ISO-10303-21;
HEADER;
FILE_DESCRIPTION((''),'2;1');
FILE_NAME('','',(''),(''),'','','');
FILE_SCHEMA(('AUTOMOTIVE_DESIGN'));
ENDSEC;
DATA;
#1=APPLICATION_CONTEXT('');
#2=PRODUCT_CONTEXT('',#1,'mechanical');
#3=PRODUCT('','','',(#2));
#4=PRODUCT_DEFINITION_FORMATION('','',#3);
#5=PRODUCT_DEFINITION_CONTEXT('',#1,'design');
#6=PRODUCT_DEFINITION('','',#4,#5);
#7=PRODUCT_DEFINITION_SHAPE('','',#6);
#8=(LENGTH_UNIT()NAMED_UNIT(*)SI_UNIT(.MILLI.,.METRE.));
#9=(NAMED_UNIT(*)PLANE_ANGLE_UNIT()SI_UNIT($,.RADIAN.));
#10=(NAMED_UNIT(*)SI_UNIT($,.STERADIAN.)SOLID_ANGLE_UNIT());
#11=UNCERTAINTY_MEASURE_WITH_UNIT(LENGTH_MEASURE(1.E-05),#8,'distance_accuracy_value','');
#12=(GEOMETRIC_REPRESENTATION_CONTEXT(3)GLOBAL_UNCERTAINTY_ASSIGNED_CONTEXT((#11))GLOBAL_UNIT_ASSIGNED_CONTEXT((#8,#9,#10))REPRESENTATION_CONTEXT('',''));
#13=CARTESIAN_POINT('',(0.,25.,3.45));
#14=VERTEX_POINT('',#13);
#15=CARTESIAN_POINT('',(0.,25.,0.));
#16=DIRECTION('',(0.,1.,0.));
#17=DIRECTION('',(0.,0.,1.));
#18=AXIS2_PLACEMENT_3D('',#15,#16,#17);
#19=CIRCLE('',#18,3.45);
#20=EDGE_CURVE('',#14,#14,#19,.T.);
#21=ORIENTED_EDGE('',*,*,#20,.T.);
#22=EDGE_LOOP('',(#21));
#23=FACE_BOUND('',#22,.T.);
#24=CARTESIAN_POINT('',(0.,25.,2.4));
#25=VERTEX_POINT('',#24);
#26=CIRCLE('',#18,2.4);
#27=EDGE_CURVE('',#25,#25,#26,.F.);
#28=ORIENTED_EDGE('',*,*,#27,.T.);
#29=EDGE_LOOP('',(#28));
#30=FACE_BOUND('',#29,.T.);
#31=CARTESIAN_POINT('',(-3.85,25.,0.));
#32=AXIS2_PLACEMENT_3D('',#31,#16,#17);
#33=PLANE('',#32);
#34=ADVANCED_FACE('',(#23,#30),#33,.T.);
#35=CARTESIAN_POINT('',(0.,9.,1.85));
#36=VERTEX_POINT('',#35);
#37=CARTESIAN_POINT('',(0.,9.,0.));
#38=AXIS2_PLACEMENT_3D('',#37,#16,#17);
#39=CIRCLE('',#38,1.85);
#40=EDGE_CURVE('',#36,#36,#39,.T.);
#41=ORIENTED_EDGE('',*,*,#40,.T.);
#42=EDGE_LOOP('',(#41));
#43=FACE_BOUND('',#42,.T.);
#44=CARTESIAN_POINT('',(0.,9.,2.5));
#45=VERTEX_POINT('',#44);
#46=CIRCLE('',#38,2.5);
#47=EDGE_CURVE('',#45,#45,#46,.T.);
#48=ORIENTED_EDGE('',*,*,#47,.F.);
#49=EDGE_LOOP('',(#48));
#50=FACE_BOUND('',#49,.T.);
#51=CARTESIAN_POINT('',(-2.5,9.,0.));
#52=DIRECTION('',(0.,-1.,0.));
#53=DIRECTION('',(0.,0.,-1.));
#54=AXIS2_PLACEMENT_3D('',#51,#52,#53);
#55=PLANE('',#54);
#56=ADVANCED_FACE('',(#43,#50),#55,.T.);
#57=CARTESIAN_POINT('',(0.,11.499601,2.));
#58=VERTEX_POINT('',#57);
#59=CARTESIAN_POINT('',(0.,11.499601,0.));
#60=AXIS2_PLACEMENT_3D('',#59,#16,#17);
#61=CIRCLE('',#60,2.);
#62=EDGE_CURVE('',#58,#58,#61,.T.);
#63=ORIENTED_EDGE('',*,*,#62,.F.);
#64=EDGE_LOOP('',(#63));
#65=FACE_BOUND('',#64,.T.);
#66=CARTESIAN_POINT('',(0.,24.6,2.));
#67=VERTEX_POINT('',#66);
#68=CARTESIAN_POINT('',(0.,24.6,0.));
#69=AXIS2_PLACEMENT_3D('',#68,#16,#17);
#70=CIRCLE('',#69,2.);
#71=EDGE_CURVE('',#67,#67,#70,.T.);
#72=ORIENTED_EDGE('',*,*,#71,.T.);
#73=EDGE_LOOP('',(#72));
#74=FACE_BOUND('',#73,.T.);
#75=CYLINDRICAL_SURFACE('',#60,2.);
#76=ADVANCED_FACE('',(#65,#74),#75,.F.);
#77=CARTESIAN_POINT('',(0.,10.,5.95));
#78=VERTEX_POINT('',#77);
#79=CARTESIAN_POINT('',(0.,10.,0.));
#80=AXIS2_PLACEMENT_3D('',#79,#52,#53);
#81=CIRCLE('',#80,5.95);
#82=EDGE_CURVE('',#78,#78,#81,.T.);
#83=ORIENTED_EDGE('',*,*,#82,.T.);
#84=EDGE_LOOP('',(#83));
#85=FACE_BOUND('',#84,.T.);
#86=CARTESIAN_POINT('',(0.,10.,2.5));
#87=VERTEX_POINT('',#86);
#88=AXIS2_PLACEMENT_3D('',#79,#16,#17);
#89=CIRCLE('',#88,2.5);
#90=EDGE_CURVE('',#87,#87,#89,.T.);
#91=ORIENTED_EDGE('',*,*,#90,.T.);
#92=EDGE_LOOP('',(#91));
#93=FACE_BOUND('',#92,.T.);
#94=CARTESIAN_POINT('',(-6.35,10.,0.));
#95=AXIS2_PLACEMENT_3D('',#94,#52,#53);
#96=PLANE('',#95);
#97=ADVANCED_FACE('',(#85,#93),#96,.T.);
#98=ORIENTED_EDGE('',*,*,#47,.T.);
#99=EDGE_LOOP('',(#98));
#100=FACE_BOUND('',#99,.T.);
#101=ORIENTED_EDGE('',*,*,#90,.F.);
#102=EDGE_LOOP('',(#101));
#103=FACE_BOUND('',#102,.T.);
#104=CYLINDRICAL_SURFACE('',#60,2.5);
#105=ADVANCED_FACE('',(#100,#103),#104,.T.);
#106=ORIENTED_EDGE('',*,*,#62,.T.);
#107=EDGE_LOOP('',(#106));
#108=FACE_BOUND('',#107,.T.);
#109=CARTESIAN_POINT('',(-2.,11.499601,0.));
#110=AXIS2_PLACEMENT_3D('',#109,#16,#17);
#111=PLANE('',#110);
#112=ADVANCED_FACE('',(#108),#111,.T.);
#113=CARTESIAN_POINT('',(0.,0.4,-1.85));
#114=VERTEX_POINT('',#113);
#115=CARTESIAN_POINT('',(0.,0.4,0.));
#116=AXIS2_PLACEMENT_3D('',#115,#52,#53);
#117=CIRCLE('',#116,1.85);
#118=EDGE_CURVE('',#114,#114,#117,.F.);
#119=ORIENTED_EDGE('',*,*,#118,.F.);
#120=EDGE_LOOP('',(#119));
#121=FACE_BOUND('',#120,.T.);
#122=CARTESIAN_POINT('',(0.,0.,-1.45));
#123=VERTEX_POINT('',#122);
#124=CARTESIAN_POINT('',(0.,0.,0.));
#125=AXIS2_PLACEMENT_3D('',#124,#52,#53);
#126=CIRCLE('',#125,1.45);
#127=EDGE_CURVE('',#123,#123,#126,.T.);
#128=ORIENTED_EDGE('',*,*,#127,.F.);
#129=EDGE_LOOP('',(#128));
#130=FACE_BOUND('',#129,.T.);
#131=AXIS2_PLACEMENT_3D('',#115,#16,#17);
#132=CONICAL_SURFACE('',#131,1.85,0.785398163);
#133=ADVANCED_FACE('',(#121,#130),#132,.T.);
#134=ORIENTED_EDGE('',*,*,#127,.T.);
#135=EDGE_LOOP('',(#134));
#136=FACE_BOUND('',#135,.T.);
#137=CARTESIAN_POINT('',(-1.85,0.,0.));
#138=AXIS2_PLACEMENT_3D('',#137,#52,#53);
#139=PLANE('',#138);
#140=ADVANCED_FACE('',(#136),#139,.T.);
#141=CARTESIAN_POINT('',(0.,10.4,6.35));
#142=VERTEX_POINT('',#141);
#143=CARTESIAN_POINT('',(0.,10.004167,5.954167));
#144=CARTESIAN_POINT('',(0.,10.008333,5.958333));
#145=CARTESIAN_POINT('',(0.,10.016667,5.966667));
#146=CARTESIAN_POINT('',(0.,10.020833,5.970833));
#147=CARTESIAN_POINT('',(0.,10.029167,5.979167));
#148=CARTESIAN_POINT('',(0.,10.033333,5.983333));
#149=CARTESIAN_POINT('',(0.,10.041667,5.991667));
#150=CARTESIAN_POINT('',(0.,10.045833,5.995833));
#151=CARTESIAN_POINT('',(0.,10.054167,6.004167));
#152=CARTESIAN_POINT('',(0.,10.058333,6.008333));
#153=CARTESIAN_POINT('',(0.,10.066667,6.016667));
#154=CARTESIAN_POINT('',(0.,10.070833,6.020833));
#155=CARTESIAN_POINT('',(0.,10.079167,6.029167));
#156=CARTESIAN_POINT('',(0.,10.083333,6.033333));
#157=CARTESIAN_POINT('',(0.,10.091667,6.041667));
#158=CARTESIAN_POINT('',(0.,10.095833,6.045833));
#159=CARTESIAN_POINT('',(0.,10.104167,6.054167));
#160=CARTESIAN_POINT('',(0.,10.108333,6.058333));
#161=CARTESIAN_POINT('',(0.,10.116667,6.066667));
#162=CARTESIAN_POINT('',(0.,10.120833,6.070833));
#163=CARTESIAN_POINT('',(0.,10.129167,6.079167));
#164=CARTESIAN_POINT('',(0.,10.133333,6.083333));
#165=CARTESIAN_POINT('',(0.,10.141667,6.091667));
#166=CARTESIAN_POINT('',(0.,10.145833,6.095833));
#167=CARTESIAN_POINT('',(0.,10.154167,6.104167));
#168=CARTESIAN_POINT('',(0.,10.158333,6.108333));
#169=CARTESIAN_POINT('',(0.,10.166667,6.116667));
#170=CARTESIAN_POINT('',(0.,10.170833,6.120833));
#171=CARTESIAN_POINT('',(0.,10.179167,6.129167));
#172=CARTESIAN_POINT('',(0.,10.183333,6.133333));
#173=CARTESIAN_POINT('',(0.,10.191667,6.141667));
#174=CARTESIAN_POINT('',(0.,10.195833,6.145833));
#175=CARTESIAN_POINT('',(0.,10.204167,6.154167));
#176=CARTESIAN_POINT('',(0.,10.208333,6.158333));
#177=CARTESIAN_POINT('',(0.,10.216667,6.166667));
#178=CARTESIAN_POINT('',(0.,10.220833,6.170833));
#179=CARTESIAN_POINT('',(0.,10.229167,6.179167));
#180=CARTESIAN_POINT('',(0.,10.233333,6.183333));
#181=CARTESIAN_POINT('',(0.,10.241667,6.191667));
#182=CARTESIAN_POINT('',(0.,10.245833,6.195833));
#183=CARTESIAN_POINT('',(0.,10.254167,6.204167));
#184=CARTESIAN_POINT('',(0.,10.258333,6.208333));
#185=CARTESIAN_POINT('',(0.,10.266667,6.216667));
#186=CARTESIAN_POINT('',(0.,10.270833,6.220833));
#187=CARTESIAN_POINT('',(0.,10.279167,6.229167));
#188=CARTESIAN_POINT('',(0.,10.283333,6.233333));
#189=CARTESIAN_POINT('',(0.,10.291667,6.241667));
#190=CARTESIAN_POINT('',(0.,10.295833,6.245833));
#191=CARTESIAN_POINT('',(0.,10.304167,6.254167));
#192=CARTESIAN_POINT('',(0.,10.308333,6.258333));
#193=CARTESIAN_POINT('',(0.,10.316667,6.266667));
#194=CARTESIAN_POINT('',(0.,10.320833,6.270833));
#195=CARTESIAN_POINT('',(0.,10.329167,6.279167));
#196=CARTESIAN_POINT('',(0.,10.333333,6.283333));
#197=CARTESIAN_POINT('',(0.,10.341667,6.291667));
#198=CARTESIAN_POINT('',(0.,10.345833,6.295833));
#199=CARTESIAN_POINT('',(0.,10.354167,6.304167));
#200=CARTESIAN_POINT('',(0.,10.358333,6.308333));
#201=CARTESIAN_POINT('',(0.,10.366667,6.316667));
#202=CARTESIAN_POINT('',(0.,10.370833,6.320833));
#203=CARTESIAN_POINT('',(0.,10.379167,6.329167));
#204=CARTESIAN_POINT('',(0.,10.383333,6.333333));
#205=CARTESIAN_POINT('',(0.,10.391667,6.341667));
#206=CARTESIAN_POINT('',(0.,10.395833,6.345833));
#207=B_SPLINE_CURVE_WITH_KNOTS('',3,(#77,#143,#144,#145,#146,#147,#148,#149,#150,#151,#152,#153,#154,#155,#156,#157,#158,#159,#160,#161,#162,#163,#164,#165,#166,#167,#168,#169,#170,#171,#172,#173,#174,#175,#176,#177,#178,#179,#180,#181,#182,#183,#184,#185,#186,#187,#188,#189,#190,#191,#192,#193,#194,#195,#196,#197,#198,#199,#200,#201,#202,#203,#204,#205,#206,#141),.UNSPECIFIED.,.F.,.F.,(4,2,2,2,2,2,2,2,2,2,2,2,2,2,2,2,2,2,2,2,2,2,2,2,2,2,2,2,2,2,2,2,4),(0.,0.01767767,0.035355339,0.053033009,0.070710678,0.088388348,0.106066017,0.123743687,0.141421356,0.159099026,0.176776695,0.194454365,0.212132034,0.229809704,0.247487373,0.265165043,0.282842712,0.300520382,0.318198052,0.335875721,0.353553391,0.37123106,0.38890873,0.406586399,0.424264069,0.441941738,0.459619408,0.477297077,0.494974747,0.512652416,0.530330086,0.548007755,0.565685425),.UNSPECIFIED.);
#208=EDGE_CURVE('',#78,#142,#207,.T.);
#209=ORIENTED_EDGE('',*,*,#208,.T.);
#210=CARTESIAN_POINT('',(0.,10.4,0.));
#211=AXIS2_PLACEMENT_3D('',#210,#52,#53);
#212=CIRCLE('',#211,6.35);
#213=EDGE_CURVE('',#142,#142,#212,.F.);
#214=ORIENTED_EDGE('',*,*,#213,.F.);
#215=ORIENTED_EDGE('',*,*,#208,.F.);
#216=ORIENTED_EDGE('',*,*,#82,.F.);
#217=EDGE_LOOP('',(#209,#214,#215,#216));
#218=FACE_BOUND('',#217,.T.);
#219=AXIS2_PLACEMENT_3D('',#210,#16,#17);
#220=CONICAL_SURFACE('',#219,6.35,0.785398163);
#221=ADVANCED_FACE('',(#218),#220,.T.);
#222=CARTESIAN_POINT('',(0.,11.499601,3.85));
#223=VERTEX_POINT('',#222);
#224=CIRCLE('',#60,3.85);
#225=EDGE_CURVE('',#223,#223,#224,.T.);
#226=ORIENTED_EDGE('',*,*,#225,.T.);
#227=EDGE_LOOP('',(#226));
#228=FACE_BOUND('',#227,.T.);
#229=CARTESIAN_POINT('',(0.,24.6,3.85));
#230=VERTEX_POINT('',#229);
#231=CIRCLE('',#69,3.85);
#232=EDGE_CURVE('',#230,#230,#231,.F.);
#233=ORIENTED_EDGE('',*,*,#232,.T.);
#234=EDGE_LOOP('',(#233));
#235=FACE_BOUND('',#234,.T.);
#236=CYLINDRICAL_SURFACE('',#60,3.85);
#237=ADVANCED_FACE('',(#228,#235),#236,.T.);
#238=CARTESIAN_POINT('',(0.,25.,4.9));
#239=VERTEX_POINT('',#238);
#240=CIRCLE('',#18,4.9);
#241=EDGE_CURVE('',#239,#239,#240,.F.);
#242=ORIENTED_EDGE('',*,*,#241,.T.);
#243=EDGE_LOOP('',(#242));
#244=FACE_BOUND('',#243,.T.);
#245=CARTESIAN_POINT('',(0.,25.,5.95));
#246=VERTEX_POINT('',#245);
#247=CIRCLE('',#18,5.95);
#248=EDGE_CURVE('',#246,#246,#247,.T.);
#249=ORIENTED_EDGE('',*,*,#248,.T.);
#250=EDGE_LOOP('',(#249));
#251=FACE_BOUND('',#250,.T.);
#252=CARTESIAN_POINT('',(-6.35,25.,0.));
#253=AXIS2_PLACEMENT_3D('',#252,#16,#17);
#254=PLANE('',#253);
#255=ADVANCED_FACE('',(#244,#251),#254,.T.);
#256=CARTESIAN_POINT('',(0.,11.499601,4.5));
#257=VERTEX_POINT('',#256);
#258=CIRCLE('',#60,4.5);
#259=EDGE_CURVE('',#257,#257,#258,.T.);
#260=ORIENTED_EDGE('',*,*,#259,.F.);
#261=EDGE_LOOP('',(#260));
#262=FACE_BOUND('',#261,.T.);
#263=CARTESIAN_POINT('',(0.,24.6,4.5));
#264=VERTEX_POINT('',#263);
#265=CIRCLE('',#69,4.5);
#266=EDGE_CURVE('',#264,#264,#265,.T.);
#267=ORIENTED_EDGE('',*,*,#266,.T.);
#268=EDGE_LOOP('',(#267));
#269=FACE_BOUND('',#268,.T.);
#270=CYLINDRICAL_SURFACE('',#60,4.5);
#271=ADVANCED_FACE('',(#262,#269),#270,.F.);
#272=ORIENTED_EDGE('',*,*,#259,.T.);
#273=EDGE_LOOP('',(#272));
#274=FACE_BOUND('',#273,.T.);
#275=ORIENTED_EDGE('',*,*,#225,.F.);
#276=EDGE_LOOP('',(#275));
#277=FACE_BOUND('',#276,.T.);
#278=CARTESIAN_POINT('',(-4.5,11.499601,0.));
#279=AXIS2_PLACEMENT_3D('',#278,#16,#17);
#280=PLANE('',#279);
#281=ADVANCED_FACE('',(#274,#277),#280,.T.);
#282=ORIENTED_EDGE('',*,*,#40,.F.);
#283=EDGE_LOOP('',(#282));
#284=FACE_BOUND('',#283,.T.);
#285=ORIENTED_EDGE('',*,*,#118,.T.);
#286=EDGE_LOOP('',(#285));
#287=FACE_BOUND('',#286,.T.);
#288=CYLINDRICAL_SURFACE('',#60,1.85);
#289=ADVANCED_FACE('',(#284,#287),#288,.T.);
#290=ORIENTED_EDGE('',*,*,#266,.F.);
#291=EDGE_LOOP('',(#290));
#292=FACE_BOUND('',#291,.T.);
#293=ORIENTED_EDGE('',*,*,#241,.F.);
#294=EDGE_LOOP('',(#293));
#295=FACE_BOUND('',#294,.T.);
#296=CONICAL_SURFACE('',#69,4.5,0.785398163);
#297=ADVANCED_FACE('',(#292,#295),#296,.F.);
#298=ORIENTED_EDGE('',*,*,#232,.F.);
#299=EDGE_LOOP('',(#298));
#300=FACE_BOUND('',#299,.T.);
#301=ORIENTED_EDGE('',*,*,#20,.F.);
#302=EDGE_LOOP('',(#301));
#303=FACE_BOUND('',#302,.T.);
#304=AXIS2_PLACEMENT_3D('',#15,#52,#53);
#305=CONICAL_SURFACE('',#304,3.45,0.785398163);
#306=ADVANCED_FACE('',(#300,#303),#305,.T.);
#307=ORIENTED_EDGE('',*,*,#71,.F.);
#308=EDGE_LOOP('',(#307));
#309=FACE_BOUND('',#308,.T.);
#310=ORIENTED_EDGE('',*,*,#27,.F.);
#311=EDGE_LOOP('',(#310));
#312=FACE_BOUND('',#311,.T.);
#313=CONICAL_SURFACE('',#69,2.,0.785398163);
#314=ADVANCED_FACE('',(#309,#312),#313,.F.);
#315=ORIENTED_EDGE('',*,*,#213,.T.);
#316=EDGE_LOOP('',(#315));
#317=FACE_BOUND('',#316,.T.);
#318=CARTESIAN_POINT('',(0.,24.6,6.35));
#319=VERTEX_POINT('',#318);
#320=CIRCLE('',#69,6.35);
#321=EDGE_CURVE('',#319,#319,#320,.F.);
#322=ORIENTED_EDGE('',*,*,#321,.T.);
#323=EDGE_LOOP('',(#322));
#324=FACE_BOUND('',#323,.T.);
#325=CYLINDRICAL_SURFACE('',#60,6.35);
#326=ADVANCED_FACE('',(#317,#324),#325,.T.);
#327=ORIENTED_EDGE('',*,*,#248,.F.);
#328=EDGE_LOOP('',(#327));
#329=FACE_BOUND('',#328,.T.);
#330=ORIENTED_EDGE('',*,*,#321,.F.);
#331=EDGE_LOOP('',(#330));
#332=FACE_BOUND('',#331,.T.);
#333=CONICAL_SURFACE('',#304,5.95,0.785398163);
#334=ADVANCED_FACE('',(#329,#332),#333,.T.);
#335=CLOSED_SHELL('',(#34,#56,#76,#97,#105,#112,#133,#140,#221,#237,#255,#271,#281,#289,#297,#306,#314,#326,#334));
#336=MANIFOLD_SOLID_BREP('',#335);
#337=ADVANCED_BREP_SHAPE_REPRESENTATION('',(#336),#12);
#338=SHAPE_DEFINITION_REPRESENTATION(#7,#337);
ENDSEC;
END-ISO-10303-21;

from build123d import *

# Parameters (mm, degrees)
CHAMFER_2_SIZE = 0.4


with BuildPart() as part:
    # Эскиз1 → Повернуть1 (revolve)
    with BuildSketch(Plane.XY, mode=Mode.PRIVATE) as revolve_1_sk:
        Polygon((-6.35, 25), (-6.35, 10), (-2.5, 10), (-2.5, 9), (-1.85, 9), (-1.85, 0), (0, 0), (0, 11.499600798), (-2, 11.499600798), (-2, 25), (-3.85, 25), (-3.85, 11.499600798), (-4.5, 11.499600798), (-4.5, 25), align=None)
    revolve(revolve_1_sk.sketch.rotate(Axis((0, 11.499600798, 0), (0, -1, 0)), 270), axis=Axis((0, 11.499600798, 0), (0, -1, 0)))

    # Фаска2
    chamfer_2_edges = [part.edges().sort_by_distance(p)[0] for p in [
        (0, 0, -1.85),
        (0, 10, -6.35),
        (0, 25, -6.35),
        (0, 25, -4.5),
        (0, 25, -3.85),
        (0, 25, -2),
    ]]
    chamfer(chamfer_2_edges, length=CHAMFER_2_SIZE)


solid = part.part
